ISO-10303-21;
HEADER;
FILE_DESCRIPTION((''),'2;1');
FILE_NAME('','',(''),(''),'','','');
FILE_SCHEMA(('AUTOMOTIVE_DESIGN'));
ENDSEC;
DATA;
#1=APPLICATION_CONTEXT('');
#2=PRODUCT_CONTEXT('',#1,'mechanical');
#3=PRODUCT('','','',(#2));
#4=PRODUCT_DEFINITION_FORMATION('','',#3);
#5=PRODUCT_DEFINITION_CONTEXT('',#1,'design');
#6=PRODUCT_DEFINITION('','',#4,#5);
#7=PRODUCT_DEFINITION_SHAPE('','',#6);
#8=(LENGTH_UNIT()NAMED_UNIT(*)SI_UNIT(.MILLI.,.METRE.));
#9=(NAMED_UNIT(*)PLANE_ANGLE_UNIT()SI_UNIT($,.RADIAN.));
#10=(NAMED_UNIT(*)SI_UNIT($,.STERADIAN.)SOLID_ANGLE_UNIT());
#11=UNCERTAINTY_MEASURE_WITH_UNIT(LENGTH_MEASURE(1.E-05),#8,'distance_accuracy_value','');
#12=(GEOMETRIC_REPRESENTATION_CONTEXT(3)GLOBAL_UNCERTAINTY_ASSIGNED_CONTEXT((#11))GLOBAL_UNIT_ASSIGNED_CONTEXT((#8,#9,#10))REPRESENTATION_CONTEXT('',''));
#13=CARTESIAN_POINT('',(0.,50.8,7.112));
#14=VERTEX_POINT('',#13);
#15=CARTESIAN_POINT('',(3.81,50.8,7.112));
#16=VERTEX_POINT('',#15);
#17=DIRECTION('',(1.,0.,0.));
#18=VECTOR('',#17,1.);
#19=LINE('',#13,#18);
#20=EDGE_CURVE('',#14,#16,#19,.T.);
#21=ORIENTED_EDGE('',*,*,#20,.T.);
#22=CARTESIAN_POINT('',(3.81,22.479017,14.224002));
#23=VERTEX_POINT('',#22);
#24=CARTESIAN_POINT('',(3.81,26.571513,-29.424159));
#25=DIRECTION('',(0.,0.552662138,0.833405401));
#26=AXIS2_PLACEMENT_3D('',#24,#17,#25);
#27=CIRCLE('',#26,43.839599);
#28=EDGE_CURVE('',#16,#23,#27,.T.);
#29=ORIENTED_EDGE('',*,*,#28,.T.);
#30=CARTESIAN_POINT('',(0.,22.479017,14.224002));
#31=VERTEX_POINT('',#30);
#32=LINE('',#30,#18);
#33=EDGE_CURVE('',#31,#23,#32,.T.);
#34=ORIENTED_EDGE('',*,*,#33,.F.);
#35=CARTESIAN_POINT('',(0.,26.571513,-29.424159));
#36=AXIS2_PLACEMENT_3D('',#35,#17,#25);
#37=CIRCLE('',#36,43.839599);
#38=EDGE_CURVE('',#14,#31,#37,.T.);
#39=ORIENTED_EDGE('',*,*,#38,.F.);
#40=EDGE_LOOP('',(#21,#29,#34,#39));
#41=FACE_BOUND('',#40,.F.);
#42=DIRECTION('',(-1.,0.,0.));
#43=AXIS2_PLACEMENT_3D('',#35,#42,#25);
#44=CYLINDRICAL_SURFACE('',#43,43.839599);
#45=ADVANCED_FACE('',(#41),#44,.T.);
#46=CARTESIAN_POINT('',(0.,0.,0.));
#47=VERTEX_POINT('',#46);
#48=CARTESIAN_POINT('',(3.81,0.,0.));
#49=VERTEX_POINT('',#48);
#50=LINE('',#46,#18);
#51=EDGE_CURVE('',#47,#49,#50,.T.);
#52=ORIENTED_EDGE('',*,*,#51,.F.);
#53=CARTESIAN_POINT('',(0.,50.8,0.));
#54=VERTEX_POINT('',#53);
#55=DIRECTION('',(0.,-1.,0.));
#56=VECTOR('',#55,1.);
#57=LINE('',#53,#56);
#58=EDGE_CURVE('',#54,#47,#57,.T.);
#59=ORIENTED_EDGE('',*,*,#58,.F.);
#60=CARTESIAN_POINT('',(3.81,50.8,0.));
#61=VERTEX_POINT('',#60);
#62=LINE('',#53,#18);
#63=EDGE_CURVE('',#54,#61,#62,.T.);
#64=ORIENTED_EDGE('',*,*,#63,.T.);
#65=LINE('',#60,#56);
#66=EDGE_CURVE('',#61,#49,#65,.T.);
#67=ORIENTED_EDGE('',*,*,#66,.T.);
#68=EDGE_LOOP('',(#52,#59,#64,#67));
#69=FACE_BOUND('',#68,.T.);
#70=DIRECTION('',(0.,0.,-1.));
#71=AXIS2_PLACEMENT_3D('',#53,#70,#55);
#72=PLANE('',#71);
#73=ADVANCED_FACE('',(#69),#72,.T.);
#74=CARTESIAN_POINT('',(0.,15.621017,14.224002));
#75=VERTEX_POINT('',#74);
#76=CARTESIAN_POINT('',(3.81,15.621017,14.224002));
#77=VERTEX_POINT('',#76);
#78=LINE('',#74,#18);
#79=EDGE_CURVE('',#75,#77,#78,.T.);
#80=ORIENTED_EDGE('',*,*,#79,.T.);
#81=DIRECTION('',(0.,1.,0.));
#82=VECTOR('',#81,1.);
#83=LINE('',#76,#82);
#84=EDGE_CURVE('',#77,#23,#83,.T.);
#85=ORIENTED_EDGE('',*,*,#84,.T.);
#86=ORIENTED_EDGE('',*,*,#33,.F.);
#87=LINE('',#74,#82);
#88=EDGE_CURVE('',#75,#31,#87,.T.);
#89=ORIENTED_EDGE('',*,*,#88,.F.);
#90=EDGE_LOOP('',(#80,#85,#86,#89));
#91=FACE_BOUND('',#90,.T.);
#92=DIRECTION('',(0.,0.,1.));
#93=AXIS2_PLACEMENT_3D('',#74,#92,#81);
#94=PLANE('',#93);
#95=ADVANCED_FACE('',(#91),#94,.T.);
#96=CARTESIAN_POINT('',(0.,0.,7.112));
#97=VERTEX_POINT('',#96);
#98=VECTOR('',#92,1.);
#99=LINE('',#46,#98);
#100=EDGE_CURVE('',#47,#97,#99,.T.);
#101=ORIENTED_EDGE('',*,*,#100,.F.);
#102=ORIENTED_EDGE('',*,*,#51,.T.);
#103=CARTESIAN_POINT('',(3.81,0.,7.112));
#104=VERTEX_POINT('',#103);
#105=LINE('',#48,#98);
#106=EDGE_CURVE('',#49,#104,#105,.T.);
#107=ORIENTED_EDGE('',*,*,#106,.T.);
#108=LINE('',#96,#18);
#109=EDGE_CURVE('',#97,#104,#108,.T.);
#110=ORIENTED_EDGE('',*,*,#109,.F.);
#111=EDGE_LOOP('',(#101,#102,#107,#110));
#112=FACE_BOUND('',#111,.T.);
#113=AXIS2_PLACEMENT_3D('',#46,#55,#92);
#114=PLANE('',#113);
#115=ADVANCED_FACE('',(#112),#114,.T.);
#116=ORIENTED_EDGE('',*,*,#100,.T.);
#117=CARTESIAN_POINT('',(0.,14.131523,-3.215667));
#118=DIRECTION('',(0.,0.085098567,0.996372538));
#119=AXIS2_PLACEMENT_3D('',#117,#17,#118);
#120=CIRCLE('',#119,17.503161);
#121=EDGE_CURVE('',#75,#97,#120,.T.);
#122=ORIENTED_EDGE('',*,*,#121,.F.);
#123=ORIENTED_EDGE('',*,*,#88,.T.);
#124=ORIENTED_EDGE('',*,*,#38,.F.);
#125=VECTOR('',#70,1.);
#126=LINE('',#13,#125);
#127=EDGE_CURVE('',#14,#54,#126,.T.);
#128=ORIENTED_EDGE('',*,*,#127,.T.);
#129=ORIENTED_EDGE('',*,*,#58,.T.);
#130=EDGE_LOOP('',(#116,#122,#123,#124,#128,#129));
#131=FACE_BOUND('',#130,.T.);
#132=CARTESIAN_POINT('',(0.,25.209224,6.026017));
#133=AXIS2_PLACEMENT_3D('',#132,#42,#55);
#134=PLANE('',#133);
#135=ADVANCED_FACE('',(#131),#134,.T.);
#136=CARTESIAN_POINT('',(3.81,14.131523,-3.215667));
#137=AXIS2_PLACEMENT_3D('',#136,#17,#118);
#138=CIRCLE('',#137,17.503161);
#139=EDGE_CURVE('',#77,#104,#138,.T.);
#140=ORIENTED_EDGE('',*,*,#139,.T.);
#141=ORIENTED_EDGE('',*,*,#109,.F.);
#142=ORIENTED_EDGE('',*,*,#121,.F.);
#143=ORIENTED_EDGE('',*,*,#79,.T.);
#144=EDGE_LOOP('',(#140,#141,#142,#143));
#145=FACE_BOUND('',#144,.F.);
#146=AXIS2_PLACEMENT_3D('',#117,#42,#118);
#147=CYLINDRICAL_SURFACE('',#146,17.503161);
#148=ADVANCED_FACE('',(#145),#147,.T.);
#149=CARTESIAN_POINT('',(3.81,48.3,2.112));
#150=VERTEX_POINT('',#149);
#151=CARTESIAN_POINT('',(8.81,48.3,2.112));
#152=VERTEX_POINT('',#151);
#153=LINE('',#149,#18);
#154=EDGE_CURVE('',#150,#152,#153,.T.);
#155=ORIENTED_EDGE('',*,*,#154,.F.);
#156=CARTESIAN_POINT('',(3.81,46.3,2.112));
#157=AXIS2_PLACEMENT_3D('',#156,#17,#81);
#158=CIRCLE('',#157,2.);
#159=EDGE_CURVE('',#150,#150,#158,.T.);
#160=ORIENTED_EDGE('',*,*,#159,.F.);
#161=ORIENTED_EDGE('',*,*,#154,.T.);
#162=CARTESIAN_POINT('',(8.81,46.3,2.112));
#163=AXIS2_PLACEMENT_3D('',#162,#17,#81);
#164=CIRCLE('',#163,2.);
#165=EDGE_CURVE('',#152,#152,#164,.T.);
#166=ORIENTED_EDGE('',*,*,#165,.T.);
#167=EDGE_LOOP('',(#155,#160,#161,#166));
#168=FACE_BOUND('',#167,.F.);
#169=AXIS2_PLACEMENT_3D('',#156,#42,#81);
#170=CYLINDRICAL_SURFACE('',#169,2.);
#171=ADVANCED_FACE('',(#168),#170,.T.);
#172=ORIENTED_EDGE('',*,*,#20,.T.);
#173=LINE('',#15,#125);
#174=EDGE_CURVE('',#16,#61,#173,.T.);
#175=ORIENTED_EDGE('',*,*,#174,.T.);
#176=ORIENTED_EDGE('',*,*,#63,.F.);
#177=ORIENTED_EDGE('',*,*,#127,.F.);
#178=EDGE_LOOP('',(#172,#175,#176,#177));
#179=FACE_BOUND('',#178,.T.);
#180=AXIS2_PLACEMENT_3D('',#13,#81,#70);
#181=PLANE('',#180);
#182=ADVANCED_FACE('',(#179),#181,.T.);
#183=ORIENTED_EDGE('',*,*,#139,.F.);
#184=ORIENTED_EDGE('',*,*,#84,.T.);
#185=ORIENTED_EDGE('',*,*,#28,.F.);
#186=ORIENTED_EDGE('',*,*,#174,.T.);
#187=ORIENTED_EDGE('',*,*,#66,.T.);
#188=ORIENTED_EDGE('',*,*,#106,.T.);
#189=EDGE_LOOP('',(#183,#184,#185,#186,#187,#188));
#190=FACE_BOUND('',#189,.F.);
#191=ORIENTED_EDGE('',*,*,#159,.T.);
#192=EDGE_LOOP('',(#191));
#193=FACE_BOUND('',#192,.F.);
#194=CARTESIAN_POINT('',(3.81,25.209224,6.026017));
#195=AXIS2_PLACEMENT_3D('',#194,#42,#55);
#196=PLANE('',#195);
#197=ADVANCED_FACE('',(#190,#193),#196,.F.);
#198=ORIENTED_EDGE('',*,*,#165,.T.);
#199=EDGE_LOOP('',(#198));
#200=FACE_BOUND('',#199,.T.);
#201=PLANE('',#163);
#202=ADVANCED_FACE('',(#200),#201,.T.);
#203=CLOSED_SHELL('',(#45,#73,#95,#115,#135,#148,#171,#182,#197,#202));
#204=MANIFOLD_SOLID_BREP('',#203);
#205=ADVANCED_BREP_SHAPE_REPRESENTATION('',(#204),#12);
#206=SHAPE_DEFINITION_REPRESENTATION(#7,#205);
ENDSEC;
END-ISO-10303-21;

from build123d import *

# Parameters (mm, degrees)
PAD_DEPTH    = 3.81
SKETCH001_R  = 2
PAD001_DEPTH = 5


with BuildPart() as part:
    # Sketch → Pad (new body)
    with BuildSketch(Plane.YZ):
        with BuildLine():
            Line((50.8, 7.112), (50.8, 0))
            Line((50.8, 0), (0, 0))
            Line((0, 0), (0, 7.112))
            ThreePointArc((15.621017, 14.224002), (6.878912, 12.714188), (0, 7.112))
            Line((15.621017, 14.224002), (22.479017, 14.224002))
            ThreePointArc((50.8, 7.112), (37.249044, 13.095258), (22.479017, 14.224002))
        make_face()
    extrude(amount=PAD_DEPTH)

    # Sketch001 (on Face8 of Pad) → Pad001 (join)
    with BuildSketch(Plane.YZ.offset(3.81)):
        with Locations((46.3, 2.112)):
            Circle(SKETCH001_R)
    extrude(amount=PAD001_DEPTH)


solid = part.part
